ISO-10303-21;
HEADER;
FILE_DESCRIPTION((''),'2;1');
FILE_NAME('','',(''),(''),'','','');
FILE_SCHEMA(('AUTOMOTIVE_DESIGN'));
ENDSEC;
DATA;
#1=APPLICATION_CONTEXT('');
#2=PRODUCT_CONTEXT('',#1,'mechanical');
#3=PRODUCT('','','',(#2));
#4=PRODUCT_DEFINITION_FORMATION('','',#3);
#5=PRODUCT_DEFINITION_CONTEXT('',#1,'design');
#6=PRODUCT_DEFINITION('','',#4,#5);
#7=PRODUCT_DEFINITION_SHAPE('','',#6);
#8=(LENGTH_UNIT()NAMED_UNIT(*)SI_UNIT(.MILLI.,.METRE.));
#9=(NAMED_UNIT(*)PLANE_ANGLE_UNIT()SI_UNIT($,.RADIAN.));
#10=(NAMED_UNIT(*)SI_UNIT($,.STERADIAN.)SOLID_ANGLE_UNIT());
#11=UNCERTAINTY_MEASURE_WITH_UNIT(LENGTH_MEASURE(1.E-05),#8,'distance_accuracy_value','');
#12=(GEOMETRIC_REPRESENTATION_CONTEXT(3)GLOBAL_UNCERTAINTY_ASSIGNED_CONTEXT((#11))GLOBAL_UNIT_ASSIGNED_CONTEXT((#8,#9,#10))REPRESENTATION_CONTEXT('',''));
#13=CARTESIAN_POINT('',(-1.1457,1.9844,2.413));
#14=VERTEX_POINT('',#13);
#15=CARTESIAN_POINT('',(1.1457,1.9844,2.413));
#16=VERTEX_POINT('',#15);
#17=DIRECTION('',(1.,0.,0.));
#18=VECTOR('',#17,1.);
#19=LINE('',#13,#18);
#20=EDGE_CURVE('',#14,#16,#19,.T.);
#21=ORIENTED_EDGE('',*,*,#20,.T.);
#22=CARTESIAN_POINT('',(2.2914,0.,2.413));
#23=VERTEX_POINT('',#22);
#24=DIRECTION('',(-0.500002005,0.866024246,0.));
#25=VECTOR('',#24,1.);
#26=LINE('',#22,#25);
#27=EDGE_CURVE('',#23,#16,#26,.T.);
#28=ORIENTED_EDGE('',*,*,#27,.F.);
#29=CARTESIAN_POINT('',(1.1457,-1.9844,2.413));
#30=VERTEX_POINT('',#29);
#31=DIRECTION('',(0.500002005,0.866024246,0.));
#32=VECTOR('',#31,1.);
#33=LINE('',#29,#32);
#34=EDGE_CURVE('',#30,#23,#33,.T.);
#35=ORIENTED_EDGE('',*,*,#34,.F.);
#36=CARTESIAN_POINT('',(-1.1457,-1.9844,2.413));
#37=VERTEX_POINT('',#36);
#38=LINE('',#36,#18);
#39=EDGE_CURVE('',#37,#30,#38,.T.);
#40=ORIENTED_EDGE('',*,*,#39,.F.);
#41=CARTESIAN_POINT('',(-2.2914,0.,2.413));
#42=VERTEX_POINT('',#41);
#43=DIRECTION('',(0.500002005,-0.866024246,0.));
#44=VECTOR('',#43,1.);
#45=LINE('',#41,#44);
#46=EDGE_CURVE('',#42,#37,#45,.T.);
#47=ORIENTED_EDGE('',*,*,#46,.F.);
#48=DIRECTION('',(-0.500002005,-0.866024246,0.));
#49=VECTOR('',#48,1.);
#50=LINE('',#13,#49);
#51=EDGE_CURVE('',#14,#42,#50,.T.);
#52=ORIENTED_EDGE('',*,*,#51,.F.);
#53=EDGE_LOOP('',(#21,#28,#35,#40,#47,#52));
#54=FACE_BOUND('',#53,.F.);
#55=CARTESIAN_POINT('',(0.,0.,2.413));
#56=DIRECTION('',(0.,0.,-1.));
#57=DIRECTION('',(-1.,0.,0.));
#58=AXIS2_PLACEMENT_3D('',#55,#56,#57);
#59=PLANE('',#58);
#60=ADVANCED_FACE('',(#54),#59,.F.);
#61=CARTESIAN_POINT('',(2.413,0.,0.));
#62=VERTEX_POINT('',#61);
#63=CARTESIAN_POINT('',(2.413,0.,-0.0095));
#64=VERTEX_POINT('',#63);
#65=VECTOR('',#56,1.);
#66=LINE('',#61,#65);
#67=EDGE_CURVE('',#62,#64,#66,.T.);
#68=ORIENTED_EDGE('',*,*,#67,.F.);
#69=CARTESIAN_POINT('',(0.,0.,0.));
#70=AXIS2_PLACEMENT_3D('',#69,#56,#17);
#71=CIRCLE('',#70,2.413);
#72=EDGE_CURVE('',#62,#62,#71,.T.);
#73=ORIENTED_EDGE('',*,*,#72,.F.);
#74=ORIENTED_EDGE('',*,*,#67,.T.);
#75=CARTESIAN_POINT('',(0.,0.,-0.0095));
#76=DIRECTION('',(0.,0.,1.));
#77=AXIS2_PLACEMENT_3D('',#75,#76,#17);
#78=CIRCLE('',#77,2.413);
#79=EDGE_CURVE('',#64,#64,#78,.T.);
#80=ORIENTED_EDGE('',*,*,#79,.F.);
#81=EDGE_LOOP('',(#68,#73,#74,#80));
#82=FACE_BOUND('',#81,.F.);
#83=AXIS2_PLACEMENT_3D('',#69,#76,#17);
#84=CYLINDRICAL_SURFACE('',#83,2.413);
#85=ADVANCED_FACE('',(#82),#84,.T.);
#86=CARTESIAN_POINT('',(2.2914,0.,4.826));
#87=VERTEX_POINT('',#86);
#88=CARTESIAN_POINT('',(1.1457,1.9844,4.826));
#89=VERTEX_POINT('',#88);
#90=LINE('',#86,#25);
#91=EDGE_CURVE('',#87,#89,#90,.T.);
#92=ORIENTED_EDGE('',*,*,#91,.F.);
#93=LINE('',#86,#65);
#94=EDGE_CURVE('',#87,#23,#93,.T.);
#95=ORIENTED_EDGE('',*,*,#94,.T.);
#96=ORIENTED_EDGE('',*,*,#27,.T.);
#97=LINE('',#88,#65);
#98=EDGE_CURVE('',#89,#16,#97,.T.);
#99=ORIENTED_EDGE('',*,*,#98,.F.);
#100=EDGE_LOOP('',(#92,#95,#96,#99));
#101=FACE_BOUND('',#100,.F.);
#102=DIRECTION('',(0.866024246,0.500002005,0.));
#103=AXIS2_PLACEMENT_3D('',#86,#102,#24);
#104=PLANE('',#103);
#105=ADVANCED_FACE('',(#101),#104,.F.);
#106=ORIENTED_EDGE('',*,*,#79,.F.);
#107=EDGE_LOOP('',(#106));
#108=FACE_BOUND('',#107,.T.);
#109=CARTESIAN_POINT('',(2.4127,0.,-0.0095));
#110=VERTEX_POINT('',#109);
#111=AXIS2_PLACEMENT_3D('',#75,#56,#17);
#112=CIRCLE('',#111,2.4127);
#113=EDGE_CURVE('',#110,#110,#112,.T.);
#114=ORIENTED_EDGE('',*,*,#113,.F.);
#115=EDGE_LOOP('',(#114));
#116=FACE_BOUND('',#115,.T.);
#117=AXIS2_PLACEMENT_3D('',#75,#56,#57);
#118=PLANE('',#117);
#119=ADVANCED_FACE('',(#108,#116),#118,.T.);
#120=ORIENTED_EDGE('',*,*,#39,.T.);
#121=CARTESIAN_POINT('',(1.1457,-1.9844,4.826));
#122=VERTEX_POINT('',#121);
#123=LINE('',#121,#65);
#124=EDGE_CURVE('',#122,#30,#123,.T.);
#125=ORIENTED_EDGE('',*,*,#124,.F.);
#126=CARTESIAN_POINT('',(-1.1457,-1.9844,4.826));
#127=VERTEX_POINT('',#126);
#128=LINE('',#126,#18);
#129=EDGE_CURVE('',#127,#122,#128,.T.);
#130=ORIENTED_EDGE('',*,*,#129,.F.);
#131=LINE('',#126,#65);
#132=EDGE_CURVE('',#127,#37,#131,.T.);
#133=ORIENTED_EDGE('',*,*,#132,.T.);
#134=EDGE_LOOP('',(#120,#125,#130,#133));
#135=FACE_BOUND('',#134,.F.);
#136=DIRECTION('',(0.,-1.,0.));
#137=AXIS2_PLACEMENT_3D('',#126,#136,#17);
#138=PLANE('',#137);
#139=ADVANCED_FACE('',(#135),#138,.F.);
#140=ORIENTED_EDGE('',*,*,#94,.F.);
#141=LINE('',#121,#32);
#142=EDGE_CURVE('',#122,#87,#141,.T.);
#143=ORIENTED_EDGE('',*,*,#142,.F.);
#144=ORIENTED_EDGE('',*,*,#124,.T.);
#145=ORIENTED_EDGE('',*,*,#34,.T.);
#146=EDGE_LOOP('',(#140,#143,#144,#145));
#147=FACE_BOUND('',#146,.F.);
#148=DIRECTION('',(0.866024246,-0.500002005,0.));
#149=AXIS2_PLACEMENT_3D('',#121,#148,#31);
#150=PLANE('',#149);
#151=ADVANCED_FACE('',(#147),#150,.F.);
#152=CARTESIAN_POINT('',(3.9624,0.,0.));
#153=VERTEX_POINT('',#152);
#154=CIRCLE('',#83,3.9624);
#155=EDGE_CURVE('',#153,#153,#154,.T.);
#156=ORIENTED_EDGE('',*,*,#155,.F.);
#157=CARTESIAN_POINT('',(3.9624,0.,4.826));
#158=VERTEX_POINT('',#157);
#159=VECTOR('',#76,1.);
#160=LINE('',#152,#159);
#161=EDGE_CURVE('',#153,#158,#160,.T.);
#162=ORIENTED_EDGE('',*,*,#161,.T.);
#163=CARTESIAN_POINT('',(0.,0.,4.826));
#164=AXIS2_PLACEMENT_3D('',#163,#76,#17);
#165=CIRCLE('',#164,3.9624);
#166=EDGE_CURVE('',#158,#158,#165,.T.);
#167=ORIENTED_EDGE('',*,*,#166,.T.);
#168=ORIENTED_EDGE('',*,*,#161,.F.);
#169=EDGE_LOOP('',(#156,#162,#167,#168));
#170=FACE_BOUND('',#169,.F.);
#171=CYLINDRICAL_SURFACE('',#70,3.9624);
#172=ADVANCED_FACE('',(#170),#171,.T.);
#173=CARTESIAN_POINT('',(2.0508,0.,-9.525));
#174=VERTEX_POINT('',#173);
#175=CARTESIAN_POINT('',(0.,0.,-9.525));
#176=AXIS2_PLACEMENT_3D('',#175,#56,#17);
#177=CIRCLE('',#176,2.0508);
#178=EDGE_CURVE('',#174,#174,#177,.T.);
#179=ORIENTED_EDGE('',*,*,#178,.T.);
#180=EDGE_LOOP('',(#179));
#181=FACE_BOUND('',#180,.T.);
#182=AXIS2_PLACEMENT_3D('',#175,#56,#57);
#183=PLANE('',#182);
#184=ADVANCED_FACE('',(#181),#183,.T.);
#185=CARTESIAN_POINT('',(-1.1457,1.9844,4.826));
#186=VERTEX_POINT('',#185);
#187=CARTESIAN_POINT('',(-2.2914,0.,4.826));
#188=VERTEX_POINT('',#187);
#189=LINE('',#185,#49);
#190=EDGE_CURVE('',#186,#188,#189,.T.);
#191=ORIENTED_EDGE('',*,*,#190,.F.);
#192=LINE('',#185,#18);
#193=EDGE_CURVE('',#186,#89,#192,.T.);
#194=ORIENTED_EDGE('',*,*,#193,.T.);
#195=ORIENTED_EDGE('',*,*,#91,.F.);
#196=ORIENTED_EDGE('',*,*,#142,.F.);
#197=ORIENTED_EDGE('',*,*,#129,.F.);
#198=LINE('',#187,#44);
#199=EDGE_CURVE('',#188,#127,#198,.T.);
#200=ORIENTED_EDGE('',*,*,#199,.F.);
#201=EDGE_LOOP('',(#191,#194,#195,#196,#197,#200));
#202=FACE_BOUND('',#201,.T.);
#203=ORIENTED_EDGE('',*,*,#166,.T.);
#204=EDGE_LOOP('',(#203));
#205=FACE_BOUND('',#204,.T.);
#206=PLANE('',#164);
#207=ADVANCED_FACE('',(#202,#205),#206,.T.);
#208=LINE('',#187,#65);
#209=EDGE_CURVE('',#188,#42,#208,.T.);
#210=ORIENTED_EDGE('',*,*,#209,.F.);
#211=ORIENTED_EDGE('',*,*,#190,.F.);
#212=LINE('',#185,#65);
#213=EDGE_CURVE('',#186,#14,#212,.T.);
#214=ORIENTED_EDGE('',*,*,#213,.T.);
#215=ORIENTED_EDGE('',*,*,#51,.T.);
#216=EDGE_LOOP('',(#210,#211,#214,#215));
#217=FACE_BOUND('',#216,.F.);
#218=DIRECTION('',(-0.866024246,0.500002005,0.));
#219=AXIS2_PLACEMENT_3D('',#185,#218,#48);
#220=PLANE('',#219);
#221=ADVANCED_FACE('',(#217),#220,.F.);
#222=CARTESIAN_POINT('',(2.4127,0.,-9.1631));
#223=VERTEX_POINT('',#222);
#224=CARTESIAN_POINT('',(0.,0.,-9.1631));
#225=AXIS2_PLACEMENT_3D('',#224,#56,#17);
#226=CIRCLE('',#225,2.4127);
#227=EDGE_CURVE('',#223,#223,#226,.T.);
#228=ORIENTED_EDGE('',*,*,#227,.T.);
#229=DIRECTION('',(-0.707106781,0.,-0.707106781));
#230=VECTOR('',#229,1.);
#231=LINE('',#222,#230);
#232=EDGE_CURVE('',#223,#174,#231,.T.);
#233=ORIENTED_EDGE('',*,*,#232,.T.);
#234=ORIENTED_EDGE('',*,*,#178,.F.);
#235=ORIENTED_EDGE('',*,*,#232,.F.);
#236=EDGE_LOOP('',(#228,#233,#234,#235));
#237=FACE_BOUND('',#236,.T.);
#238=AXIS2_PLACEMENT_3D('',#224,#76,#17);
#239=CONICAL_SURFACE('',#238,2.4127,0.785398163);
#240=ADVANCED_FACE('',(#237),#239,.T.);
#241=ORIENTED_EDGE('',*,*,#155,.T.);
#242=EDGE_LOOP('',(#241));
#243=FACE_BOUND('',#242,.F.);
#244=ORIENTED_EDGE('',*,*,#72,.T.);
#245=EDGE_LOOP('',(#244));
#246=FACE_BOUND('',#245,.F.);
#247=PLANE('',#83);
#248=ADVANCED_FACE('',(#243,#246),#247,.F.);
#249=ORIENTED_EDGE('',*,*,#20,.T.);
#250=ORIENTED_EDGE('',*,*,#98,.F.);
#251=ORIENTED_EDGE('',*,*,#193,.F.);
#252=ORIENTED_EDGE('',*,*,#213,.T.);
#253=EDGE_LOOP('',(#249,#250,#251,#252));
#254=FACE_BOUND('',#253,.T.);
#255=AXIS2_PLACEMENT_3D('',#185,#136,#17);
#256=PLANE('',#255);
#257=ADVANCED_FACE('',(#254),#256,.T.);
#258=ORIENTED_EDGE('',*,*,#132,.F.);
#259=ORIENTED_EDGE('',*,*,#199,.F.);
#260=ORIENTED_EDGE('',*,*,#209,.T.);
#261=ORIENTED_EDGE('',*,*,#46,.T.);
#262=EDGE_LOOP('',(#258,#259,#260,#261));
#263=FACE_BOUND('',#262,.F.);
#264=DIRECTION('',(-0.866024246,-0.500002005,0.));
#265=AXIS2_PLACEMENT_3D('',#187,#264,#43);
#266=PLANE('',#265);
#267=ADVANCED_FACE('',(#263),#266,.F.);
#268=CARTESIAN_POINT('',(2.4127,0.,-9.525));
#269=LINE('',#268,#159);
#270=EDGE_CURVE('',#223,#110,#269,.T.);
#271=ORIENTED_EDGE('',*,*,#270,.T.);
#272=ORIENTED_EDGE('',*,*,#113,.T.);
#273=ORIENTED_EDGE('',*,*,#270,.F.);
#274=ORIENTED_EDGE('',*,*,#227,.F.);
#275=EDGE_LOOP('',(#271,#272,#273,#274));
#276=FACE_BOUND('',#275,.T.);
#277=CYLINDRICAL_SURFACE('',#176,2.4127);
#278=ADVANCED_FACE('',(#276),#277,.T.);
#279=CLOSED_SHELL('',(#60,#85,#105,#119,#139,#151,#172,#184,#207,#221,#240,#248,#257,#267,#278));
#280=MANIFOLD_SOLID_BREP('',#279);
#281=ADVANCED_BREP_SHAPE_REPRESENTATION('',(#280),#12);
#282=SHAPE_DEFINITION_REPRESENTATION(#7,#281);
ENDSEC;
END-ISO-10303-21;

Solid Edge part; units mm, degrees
sketch "Sketch1" plane through (0, 0, 0) normal (0, 0, 1) x (1, 0, 0)
  circle A0 centre (0, 0) radius 3.9624
  dimension "D1" = 7.9248
extrude "Protrusion1" add sketch "Sketch1" along normal blind 4.826
sketch "Sketch2" plane through (0, 0, 0) normal (0, 0, -1) x (1, 0, 0)
  circle A0 centre (0, 0) radius 2.413
extrude "Protrusion2" add sketch "Sketch2" along normal blind 9.525
sketch "Sketch3" plane through (0, 0, -9.525) normal (0, 0, -1) x (1, 0, 0)
  circle A0 centre (0, 0) radius 2.4127
extrude "Cutout1" cut sketch "Sketch3" against normal blind 9.5155 flip side to cut
chamfer "Chamfer_1" distance 0.3619 angle 45 1 edges at (-2.4127, 0, -9.525)
sketch "Sketch4" plane through (0, 0, 4.826) normal (0, 0, 1) x (1, 0, 0)
  line L0 (-1.1457, 1.9844) -> (1.1457, 1.9844)
  line L1 (2.2914, 0) -> (1.1457, 1.9844)
  line L2 (1.1457, -1.9844) -> (2.2914, 0)
  line L3 (-1.1457, -1.9844) -> (1.1457, -1.9844)
  line L4 (-2.2914, 0) -> (-1.1457, -1.9844)
  line L5 (-1.1457, 1.9844) -> (-2.2914, 0)
  dimension "D1" = 3.9688
extrude "Cutout2" cut sketch "Sketch4" against normal blind 2.413
properties part number "300366"
